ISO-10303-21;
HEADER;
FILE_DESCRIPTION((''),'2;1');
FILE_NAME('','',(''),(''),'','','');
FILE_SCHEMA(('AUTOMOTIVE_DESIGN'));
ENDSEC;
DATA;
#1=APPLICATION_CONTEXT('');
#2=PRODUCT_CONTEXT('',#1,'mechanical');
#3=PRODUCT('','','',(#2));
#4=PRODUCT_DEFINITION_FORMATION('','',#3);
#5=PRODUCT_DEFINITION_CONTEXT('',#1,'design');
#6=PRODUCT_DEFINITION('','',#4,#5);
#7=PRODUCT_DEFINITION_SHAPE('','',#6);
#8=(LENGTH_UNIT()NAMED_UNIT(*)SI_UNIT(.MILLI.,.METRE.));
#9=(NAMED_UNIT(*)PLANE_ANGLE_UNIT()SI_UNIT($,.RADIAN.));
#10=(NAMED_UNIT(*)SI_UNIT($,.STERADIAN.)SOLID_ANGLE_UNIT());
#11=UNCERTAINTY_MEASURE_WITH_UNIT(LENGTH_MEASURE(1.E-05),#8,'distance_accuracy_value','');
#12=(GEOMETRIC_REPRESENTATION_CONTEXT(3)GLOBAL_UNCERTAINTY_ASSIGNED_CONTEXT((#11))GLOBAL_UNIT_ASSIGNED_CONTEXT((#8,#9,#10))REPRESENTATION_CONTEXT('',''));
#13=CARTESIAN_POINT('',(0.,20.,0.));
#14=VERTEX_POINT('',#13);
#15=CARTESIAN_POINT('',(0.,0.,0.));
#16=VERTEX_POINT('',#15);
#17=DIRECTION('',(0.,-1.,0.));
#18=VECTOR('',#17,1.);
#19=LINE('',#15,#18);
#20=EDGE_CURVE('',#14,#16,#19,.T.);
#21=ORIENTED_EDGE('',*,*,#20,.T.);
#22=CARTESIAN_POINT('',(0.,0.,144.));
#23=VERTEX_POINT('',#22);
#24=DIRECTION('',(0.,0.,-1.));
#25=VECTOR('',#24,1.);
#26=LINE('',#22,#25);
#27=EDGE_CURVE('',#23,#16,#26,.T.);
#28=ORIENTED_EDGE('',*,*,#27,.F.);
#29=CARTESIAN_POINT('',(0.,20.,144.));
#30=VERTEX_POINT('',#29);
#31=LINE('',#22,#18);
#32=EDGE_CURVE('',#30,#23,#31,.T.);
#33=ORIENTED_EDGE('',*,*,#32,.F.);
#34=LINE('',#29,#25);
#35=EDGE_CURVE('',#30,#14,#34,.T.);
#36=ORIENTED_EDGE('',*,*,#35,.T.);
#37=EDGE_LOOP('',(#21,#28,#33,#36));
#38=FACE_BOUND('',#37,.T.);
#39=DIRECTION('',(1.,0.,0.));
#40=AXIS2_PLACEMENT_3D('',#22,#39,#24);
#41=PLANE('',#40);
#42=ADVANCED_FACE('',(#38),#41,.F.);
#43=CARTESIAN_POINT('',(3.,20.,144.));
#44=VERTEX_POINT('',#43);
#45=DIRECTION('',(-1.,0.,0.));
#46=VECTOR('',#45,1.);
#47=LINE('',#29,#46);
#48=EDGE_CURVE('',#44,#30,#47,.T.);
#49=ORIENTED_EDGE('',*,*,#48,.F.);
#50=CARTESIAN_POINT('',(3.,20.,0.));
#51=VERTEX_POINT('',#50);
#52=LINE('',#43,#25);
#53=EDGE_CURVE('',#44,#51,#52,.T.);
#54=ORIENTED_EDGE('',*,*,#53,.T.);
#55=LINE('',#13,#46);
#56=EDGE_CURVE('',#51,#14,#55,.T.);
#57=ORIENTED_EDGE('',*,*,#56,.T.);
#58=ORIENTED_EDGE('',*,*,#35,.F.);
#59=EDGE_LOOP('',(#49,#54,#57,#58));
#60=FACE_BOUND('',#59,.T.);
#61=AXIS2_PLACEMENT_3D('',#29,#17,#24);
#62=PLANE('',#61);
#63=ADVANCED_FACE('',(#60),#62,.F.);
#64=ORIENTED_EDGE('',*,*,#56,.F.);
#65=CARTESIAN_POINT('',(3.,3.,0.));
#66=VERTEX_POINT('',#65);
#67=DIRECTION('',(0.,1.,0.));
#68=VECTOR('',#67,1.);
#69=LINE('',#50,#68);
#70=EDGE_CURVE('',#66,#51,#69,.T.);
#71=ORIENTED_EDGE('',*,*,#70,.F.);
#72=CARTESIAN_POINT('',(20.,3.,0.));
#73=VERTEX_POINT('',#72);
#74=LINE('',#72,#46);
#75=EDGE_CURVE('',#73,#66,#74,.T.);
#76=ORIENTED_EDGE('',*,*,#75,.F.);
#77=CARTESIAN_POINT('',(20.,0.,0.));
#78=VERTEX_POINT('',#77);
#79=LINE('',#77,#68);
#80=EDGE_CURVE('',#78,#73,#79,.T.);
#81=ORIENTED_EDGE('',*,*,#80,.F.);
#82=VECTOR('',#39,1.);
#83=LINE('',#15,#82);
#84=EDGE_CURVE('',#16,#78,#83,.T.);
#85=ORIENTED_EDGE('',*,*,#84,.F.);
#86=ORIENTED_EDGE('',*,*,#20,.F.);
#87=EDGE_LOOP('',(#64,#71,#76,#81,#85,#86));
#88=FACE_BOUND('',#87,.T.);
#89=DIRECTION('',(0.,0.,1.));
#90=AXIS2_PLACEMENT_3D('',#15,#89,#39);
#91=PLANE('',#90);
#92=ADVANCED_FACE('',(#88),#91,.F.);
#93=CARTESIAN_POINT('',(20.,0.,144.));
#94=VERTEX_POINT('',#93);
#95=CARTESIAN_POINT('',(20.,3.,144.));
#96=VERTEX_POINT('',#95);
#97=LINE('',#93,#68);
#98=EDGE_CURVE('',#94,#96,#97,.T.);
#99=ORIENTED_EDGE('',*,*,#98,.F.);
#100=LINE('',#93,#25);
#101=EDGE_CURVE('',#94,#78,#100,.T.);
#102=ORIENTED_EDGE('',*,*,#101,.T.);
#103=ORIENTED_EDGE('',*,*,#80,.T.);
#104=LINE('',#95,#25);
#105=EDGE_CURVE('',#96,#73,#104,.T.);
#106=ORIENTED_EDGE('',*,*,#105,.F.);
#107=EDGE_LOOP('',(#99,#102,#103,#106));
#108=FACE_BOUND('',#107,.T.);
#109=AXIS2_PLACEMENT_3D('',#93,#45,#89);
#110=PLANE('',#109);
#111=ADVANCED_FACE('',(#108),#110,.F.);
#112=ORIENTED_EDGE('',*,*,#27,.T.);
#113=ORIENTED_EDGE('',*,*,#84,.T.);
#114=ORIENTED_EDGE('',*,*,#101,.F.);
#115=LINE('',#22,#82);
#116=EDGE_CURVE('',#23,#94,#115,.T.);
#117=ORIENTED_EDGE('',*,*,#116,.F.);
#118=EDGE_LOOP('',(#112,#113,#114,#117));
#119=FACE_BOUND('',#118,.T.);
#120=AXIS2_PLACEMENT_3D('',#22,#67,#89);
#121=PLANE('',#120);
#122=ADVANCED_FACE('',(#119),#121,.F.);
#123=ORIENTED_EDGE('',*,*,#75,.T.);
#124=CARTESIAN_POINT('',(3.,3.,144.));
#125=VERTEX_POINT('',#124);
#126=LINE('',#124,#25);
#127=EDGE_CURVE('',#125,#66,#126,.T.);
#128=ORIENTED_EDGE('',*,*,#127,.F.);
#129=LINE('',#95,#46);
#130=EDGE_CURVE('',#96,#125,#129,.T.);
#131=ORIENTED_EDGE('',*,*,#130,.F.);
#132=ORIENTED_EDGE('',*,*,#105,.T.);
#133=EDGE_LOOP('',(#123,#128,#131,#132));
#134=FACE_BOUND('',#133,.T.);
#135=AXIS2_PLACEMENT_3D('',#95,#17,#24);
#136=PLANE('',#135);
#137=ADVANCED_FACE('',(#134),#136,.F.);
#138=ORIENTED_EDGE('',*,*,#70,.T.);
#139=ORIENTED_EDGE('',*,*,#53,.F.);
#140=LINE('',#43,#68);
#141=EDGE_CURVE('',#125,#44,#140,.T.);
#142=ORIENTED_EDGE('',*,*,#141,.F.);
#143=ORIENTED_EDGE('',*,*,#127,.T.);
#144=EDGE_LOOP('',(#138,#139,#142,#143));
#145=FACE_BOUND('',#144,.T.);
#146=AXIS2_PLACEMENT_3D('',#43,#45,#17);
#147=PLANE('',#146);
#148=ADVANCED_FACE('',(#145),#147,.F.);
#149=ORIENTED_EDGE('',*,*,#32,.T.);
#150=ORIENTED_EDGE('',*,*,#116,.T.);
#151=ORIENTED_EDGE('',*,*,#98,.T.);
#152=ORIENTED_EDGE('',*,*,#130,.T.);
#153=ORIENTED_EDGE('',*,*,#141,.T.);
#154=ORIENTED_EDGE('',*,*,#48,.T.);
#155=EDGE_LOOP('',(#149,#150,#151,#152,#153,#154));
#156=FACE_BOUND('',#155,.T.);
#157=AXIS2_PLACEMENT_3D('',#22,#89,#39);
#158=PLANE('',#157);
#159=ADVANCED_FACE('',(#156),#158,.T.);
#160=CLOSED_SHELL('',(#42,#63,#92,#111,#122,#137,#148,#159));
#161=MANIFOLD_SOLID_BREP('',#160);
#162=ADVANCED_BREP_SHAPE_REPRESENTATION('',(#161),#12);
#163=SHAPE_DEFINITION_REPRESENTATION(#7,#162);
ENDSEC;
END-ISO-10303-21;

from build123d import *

# Parameters (mm, degrees)
BOSS_EXTRUDE1_DEPTH = 144


with BuildPart() as part:
    # Sketch1 → Boss-Extrude1 (new body)
    with BuildSketch(Plane.XY):
        Polygon((0, 0), (20, 0), (20, 3), (3, 3), (3, 20), (0, 20), align=None)
    extrude(amount=BOSS_EXTRUDE1_DEPTH)


solid = part.part
